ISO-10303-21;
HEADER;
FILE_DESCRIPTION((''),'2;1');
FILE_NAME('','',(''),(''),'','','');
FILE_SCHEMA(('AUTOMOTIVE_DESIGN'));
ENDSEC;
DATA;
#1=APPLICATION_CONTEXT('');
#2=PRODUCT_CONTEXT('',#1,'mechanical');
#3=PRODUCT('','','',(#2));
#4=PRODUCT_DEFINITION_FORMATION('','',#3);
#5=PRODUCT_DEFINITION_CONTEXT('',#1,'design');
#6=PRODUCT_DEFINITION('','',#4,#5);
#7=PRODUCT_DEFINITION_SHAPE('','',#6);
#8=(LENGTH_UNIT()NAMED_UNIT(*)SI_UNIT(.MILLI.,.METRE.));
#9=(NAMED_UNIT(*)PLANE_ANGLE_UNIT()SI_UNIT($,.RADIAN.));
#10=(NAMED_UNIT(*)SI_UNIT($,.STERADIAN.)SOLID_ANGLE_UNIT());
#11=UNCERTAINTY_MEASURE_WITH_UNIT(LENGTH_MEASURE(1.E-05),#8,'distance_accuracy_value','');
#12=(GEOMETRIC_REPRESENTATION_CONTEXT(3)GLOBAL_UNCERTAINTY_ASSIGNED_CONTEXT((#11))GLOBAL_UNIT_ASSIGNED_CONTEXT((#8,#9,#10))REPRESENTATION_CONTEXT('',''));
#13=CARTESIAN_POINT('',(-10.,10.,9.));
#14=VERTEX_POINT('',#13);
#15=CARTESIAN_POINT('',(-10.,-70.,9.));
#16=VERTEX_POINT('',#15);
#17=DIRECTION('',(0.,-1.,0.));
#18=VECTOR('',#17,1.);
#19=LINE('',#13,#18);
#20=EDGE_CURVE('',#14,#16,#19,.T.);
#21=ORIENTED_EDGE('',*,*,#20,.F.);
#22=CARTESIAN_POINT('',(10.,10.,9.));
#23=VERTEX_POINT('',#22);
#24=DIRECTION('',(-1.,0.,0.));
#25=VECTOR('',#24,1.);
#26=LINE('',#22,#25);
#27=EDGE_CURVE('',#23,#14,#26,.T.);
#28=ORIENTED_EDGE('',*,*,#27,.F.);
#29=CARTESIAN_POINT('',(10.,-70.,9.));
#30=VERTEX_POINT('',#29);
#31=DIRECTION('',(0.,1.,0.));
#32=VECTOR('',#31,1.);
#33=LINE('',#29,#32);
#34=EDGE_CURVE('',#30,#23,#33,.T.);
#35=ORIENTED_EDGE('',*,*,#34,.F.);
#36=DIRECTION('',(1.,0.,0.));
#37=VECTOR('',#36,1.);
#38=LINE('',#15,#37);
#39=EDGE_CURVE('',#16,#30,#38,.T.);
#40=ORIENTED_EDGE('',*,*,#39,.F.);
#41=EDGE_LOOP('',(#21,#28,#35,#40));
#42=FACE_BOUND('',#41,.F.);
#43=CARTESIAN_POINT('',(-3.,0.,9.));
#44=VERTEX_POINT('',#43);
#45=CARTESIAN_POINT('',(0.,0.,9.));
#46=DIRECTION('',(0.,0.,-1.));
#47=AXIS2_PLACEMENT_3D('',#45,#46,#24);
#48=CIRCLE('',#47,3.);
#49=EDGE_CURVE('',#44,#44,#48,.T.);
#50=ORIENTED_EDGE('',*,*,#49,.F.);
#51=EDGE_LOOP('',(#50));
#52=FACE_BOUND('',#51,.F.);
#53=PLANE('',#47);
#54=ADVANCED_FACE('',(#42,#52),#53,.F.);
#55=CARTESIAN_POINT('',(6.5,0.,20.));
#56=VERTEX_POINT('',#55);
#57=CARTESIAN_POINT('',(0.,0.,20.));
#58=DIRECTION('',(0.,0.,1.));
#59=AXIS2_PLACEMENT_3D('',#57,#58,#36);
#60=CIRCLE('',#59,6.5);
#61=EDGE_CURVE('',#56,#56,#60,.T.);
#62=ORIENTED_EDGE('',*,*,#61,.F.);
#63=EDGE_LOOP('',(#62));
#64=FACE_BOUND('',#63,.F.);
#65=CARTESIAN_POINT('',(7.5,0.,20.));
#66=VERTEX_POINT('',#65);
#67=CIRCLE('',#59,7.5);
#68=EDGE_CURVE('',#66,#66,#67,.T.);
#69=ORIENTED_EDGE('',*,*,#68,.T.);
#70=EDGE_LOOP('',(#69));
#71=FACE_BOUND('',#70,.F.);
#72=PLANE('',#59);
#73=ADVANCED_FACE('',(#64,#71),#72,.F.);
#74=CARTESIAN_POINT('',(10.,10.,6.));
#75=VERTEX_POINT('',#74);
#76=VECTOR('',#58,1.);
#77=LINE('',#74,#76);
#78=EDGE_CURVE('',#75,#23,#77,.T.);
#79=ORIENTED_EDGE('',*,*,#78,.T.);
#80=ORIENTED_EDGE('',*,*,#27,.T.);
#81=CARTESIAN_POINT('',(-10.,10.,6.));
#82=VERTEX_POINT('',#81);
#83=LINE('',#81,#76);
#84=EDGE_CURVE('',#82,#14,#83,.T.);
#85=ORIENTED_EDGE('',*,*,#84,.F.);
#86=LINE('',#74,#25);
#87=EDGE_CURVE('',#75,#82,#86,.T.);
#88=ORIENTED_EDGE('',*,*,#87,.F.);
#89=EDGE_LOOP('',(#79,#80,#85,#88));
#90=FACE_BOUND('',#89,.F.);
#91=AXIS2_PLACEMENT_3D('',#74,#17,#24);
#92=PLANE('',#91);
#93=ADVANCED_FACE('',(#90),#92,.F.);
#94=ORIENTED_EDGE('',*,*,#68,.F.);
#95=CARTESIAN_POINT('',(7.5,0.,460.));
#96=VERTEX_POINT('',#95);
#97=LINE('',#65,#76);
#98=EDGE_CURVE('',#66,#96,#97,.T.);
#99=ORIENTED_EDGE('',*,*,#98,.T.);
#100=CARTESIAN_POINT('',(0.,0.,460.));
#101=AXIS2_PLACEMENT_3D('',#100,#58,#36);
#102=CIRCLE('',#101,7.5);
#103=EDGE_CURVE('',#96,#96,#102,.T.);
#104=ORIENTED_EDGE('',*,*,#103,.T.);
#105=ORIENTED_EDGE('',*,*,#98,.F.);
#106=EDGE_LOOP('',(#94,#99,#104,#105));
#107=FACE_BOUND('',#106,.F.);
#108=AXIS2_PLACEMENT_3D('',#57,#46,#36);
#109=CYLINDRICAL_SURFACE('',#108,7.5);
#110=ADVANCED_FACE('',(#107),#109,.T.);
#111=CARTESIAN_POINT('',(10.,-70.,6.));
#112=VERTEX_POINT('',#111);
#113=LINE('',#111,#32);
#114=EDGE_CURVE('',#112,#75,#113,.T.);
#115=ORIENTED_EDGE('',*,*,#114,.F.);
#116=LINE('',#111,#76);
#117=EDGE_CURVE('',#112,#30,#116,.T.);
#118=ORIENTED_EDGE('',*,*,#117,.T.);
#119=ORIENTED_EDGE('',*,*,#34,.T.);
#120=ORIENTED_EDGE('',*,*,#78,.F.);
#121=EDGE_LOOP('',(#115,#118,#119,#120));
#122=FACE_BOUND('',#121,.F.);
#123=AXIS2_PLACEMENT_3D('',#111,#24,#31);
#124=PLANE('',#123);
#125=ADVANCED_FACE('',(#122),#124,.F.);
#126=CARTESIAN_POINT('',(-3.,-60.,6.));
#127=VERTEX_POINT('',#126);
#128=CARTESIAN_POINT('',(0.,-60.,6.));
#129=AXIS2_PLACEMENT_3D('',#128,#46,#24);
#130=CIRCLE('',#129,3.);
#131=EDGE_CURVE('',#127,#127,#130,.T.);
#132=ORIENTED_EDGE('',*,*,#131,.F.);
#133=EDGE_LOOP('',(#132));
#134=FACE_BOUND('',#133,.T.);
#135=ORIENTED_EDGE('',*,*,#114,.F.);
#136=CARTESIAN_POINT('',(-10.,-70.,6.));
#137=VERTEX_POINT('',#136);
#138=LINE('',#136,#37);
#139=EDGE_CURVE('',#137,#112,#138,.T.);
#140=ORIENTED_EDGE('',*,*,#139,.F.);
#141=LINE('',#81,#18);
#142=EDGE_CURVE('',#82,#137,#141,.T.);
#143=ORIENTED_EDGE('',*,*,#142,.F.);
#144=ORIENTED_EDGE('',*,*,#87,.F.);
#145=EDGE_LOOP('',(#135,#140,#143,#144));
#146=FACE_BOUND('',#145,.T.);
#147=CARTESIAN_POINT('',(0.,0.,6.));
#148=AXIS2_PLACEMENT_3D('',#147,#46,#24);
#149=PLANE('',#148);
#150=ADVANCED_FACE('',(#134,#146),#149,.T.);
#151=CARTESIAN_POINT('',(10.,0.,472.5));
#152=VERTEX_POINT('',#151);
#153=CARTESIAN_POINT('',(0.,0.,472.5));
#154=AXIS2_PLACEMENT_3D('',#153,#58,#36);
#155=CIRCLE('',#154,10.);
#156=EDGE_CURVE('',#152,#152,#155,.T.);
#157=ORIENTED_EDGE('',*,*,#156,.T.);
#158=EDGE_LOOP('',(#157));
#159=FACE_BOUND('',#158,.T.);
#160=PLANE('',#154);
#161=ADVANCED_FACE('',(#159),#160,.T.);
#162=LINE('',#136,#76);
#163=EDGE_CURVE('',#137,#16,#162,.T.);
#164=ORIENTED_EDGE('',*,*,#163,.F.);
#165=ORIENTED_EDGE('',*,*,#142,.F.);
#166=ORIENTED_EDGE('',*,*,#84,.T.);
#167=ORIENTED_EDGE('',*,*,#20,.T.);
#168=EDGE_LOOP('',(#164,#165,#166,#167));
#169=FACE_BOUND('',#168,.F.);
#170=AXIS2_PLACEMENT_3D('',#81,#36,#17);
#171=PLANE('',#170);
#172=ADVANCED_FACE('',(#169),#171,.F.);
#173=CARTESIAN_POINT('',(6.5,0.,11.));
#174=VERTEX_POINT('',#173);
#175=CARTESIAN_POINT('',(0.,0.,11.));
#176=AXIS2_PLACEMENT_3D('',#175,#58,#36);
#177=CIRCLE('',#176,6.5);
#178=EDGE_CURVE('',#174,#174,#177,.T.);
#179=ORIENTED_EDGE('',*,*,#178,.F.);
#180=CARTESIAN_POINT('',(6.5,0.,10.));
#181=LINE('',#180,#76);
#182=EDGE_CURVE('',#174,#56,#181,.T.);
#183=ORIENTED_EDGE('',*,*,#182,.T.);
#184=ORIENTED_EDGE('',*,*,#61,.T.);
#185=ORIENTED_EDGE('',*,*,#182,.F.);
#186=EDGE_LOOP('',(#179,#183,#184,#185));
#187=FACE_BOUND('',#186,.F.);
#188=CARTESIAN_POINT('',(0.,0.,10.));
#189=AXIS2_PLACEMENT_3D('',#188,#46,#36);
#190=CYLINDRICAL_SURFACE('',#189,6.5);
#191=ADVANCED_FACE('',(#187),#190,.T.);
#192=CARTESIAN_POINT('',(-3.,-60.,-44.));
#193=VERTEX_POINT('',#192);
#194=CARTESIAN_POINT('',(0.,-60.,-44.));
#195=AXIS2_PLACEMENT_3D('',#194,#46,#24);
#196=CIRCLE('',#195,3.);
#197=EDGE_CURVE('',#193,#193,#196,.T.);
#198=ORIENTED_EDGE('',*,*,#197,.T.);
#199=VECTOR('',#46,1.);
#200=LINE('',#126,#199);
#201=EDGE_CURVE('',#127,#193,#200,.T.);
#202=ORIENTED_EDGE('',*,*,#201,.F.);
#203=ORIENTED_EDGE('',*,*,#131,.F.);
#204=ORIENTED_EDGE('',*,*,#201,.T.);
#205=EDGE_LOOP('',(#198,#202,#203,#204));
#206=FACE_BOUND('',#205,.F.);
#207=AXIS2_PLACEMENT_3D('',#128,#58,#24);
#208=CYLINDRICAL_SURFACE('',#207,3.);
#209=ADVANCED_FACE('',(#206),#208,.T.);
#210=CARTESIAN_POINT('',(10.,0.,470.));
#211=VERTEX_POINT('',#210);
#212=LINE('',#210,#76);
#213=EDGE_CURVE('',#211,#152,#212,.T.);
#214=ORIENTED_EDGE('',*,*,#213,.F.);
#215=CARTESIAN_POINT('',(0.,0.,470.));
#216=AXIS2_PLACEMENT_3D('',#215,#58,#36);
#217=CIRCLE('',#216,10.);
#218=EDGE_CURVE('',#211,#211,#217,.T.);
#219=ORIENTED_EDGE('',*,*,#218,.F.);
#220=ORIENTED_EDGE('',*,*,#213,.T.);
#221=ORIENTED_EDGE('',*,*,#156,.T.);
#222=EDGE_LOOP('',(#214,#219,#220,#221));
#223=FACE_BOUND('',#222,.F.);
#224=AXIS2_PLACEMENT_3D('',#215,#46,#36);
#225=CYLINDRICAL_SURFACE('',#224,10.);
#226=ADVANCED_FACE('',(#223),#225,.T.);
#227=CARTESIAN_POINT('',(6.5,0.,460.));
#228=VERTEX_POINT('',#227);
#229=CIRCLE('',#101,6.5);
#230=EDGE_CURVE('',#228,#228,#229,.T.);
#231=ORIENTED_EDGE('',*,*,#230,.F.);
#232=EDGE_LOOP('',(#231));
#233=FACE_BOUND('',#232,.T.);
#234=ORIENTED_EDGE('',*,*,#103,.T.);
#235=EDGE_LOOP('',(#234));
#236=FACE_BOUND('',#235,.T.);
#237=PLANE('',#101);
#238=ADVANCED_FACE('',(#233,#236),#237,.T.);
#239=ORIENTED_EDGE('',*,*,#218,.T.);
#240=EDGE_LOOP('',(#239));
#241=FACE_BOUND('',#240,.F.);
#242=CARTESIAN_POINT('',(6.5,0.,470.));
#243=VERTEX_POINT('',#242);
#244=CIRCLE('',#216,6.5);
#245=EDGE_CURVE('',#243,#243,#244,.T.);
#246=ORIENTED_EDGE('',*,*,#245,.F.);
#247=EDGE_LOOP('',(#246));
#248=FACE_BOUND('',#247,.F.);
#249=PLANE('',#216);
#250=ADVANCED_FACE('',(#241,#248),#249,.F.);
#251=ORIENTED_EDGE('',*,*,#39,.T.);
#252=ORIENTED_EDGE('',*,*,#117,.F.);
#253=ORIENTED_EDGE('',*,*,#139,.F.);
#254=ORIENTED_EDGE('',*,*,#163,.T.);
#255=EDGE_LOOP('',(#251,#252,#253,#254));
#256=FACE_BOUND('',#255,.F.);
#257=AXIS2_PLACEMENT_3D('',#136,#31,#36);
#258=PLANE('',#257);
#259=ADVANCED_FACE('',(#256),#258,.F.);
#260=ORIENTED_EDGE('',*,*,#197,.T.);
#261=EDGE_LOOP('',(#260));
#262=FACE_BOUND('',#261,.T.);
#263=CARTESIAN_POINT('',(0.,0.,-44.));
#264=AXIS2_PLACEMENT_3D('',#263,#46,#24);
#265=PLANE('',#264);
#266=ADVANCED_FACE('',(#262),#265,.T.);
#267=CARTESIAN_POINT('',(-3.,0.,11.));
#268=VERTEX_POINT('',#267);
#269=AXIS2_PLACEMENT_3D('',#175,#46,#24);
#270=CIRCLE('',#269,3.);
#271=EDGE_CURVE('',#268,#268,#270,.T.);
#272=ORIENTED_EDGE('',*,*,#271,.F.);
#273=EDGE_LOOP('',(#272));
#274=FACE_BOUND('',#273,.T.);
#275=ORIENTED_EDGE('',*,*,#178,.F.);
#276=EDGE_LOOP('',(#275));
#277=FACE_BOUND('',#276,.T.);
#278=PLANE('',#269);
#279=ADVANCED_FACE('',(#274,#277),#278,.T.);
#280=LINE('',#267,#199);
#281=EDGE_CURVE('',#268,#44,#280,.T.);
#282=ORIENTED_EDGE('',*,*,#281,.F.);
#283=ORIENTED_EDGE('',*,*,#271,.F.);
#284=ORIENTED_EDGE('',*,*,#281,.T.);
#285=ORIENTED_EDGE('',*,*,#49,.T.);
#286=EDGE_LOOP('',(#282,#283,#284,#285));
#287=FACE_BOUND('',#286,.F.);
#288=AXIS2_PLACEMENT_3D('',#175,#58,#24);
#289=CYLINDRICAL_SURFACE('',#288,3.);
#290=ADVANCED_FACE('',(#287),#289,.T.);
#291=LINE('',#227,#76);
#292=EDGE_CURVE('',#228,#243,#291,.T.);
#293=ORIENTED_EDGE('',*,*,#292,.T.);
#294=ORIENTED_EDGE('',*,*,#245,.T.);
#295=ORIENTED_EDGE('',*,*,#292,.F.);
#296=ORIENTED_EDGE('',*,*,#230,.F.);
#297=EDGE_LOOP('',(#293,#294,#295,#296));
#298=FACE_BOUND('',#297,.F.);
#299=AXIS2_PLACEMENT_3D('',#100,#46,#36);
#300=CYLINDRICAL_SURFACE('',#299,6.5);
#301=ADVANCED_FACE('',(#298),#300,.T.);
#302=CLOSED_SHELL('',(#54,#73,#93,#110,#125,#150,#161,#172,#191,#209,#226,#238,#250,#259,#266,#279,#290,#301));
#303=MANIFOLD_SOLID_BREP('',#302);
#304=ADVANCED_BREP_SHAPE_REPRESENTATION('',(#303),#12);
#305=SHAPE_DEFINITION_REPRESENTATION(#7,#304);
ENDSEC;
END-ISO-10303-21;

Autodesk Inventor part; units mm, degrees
ref_plane "YZ Plane" through (0, 0, 0) normal (1, 0, 0) x (0, 1, 0)
ref_plane "XZ Plane" through (0, 0, 0) normal (0, 1, 0) x (-1, 0, 0)
ref_plane "XY Plane" through (0, 0, 0) normal (0, 0, 1) x (1, 0, 0)
sketch "Sketch1" plane through (0, 0, 0) normal (0, 0, 1) x (1, 0, 0)
  circle A0 centre (0, 0) radius 25
  dimension "d0" = 50
extrude "Extrusion1" add sketch "Sketch1" along normal blind 10
sketch "Sketch2" plane through (0, 0, 10) normal (0, 0, 1) x (1, 0, 0)
  circle A0 centre (0, 0) radius 6.5
  dimension "d3" = 13
extrude "Extrusion2" add sketch "Sketch2" along normal blind 10
fillet "Fillet1" radius 1 1 edges at (-6.5, 0, 10)
sketch "Sketch4" plane through (0, 0, 0) normal (0, 0, -1) x (-1, 0, 0)
  arc A0 (19.3649, 5) -> (5, 19.3649) centre (0, 0) ccw
  line L0 (2.5, 17.4284) -> (2.5, 9.4868)
  line L1 (9.4868, 2.5) -> (17.4284, 2.5)
  arc A1 (5, 19.3649) -> (2.5, 17.4284) centre (4.5, 17.4284) ccw
  arc A2 (17.4284, 2.5) -> (19.3649, 5) centre (17.4284, 4.5) ccw
  arc A3 (2.5, 8.3666) -> (2.5153, 8.1193) centre (4.5, 8.3666) ccw
  arc A4 (8.1193, 2.5153) -> (8.3666, 2.5) centre (8.3666, 4.5) ccw
  arc A5 (7.6798, 3.6429) -> (3.6429, 7.6798) centre (0, 0) ccw
  arc A6 (2.5, 9.4868) -> (3.6429, 7.6798) centre (4.5, 9.4868) ccw
  arc A7 (7.6798, 3.6429) -> (9.4868, 2.5) centre (9.4868, 4.5) ccw
  point P0 (2.5, 19.8431)
  point P1 (19.8431, 2.5)
  point P2 (2.5, 7.0711)
  point P3 (7.0711, 2.5)
extrude "Extrusion3" cut sketch "Sketch4" against normal blind 10
pattern_circular "Circular Pattern1" count 4 over 360 about axis through (0, 0, 11) along (0, 0, -1) of "Extrusion3"
sketch "Sketch7" plane through (0, 0, 20) normal (0, 0, 1) x (1, 0, 0)
  circle A0 centre (0, 0) radius 7.5
  dimension "d38" = 15
extrude "Extrusion5" add sketch "Sketch7" along normal blind 440
sketch "Sketch8" plane through (0, 0, 460) normal (0, 0, 1) x (1, 0, 0)
  circle A0 centre (0, 0) radius 6.5
  dimension "d41" = 13
extrude "Extrusion6" add sketch "Sketch8" along normal blind 10
sketch "Sketch9" plane through (0, 0, 470) normal (0, 0, 1) x (1, 0, 0)
  circle A0 centre (0, 0) radius 10
  dimension "d44" = 20
extrude "Extrusion7" add sketch "Sketch9" along normal blind 2.5
thread "Thread1" size "M15x1.5" class "6g" standard "ANSI Metric M Profile" length 440
sketch "Sketch10" plane through (0, 0, 0) normal (0, 0, -1) x (-1, 0, 0)
  circle A0 centre (0, 0) radius 25
extrude "Extrusion8" cut sketch "Sketch10" against normal blind 10
sketch "Sketch11" plane through (0, 0, 10) normal (0, 0, -1) x (-1, 0, 0)
  circle A0 centre (0, 0) radius 10
extrude "Extrusion9" cut sketch "Sketch11" against normal blind 1
sketch "Sketch12" plane through (0, 0, 11) normal (0, 0, -1) x (-1, 0, 0)
  circle A0 centre (0, 0) radius 3
  dimension "d53" = 6
extrude "Extrusion10" add sketch "Sketch12" along normal blind 5
sketch "Sketch13" plane through (0, 0, 6) normal (0, 0, -1) x (-1, 0, 0)
  circle A0 centre (0, 0) radius 3 projected
  circle A1 centre (0, 0) radius 3
  line L0 (-10, 10) -> (10, 10)
  line L1 (10, 10) -> (10, -70)
  line L2 (10, -70) -> (-10, -70)
  line L3 (-10, -70) -> (-10, 10)
  dimension "d56" = 80
extrude "Extrusion11" add sketch "Sketch13" against normal blind 3
sketch "Sketch14" plane through (0, 0, 6) normal (0, 0, -1) x (-1, 0, 0)
  line L0 (10, -70) -> (-10, -70) projected
  circle A0 centre (0, -60) radius 3
  point P0 (0, 0)
  dimension "d60" = 6
extrude "Extrusion12" add sketch "Sketch14" along normal blind 50
properties part number "leadscrew_modified_long" material "Steel, Alloy"
